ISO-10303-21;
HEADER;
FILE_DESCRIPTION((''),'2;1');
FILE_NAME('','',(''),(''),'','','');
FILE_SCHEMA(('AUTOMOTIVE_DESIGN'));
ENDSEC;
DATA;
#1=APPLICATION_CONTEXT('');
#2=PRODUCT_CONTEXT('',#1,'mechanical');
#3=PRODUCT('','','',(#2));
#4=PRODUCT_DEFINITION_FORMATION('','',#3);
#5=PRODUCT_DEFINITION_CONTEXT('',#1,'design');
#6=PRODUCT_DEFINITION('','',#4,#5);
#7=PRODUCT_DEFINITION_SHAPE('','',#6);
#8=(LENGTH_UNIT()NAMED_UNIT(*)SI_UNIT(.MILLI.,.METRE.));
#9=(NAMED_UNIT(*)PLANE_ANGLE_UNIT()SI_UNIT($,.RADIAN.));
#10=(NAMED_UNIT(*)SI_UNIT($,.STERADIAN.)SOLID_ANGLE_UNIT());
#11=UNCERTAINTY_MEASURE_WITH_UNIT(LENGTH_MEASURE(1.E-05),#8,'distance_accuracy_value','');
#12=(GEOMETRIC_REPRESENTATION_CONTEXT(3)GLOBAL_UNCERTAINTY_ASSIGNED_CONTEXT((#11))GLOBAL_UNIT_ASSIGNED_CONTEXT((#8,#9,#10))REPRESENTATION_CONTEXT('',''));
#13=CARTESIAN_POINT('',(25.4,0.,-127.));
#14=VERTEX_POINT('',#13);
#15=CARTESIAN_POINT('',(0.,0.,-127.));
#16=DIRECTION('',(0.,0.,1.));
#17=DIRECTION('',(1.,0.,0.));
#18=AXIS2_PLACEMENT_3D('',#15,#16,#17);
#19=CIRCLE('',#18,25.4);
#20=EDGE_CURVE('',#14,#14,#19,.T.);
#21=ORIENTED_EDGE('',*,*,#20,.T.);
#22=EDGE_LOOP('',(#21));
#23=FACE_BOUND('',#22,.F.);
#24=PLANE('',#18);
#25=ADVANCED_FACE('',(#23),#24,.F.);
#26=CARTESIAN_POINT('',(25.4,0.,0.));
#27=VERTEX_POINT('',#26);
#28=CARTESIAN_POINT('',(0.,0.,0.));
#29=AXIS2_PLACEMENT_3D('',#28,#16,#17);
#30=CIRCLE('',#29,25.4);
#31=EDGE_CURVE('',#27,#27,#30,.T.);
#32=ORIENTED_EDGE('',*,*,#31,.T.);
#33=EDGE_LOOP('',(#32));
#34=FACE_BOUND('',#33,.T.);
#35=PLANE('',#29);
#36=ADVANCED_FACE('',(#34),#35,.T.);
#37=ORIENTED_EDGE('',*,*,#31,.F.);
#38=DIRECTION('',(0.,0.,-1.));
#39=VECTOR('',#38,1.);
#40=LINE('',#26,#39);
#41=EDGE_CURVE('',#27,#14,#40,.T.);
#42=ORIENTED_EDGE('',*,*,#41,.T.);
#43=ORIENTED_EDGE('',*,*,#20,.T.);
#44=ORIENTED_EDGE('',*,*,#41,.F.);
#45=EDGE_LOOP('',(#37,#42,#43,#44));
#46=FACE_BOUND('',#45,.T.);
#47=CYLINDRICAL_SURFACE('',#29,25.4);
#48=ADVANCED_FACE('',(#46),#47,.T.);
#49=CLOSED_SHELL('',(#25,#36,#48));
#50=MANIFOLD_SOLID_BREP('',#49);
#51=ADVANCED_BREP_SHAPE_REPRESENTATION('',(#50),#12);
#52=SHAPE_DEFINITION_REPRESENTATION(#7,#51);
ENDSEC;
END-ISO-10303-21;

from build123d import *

# Parameters (mm, degrees)
SKETCH1_R           = 25.4
BOSS_EXTRUDE1_DEPTH = 127


with BuildPart() as part:
    # Sketch1 → Boss-Extrude1 (new body)
    with BuildSketch(Plane.XY):
        Circle(SKETCH1_R)
    extrude(amount=-BOSS_EXTRUDE1_DEPTH)


solid = part.part
